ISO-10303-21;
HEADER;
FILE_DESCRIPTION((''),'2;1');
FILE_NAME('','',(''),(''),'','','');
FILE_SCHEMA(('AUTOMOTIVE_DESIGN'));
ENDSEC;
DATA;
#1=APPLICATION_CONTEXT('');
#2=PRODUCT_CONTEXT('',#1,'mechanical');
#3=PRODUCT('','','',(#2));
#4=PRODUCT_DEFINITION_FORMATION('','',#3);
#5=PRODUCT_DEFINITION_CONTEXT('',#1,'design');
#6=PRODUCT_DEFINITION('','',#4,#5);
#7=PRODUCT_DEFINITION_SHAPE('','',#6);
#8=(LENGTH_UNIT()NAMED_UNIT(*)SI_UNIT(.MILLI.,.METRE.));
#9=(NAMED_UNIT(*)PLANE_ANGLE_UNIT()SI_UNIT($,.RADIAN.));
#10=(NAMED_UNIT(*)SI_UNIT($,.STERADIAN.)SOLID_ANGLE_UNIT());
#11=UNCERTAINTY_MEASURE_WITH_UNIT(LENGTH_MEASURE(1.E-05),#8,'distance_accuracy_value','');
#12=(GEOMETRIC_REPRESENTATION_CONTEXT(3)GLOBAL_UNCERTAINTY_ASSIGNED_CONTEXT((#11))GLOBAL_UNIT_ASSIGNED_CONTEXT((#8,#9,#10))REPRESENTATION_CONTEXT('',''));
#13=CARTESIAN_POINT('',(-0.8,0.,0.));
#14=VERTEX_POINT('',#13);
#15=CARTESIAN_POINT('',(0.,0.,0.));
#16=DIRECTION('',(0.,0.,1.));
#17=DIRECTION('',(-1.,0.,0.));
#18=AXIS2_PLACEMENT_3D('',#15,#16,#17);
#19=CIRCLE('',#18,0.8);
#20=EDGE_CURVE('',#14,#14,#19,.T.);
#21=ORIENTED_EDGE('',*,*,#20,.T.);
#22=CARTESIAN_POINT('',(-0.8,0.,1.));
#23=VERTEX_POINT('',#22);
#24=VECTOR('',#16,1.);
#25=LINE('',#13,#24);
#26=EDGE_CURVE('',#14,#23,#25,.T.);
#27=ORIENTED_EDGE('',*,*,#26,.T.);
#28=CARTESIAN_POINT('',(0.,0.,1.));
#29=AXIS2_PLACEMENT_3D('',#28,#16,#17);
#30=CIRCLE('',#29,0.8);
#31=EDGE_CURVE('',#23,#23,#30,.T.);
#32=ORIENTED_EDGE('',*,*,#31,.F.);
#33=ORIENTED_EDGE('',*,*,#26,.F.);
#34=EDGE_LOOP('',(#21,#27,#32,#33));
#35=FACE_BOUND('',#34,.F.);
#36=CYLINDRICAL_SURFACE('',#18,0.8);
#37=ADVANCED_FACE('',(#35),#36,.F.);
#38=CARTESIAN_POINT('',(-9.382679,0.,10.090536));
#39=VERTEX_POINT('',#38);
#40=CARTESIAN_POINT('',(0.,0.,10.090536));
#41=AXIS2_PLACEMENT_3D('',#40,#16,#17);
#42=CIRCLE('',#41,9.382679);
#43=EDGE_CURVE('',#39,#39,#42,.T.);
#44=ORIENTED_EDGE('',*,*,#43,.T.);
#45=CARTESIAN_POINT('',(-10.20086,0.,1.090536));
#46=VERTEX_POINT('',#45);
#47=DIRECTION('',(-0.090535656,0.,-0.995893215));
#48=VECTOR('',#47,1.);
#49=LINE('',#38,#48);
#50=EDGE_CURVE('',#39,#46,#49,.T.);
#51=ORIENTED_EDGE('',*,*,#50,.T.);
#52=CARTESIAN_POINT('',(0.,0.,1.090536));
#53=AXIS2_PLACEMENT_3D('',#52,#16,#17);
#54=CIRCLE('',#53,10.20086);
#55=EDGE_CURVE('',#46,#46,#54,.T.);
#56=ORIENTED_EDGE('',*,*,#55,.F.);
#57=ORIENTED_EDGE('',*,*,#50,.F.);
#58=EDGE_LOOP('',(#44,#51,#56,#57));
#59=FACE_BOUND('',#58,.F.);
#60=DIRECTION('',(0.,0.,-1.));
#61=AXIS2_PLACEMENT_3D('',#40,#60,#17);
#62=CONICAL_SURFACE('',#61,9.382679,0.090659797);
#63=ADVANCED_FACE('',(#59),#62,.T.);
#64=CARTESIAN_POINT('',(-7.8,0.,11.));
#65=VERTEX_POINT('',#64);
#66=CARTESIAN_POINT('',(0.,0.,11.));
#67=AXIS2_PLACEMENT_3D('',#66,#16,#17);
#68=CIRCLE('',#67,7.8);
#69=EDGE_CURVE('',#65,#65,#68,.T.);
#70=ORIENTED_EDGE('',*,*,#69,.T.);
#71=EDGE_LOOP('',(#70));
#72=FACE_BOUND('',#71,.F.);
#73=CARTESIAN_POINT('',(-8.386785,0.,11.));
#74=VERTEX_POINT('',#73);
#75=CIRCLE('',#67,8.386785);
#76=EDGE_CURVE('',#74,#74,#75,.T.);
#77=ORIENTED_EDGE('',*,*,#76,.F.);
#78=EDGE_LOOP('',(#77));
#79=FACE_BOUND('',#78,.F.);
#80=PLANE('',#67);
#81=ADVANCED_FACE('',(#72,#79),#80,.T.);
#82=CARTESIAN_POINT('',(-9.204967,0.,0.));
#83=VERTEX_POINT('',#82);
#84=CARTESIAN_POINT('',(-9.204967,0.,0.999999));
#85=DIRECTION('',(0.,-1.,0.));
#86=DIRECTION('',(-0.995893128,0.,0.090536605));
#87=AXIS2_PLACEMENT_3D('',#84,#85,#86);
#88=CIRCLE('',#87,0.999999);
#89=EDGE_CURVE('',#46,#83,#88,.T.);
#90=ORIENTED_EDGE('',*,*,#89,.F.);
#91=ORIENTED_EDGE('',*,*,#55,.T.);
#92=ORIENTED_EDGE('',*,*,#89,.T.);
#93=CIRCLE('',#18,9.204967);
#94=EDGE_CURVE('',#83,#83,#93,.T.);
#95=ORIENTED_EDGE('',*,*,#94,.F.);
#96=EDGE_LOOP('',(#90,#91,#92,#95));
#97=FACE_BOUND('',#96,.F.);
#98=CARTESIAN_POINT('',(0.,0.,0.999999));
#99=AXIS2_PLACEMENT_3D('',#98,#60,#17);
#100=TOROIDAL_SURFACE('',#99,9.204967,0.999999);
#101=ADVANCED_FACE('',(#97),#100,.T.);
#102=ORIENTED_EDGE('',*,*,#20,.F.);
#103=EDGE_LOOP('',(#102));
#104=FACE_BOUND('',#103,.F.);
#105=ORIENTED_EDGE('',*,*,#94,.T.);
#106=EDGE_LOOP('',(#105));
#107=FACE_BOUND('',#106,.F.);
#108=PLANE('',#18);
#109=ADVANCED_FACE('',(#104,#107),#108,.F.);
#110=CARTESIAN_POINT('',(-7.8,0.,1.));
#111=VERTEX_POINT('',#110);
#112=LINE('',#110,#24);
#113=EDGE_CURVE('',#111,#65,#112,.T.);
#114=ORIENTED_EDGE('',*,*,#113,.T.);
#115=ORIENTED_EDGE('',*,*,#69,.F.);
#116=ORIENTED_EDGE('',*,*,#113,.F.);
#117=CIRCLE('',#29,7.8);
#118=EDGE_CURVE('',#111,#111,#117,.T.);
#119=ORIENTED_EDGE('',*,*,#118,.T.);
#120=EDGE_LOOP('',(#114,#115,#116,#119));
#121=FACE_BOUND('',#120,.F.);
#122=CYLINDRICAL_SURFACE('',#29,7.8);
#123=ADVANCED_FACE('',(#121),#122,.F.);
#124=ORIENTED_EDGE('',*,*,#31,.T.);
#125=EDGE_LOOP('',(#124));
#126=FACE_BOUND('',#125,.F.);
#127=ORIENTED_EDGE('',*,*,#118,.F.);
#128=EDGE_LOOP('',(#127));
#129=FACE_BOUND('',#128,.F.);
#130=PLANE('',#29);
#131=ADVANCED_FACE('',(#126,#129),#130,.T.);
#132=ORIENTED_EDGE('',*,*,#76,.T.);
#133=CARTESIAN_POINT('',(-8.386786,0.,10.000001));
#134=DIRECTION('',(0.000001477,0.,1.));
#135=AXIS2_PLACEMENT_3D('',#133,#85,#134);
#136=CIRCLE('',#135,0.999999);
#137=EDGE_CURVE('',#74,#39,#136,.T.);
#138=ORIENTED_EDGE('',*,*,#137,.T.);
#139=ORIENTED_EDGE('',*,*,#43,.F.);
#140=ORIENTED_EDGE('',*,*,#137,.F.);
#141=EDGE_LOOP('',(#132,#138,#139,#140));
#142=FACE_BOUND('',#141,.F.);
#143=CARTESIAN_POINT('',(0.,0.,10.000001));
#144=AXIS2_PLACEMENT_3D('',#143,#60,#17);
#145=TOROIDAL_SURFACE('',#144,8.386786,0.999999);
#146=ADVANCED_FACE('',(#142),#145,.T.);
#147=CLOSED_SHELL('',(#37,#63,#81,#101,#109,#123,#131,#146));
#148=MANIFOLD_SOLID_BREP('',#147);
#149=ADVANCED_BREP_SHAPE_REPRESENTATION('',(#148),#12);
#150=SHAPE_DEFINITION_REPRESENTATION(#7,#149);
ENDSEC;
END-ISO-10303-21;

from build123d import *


with BuildPart() as f1:
    # F0 (on Front) → F1 (revolve)
    with BuildSketch(Plane.XZ):
        with BuildLine():
            Line((-9.204967, 0), (-0.8, 0))
            Line((-0.8, 0), (-0.8, 1))
            Line((-0.8, 1), (-7.8, 1))
            Line((-7.8, 1), (-7.8, 11))
            Line((-7.8, 11), (-8.386785, 11))
            ThreePointArc((-8.386785, 11), (-9.061124, 10.738423), (-9.382679, 10.090536))
            Line((-9.382679, 10.090536), (-10.20086, 1.090536))
            ThreePointArc((-10.20086, 1.090536), (-9.94339, 0.325662), (-9.204967, 0))
        make_face()
    revolve(axis=Axis((0, 0, 1.31524), (0, 0, 1)))


solid = f1.part
